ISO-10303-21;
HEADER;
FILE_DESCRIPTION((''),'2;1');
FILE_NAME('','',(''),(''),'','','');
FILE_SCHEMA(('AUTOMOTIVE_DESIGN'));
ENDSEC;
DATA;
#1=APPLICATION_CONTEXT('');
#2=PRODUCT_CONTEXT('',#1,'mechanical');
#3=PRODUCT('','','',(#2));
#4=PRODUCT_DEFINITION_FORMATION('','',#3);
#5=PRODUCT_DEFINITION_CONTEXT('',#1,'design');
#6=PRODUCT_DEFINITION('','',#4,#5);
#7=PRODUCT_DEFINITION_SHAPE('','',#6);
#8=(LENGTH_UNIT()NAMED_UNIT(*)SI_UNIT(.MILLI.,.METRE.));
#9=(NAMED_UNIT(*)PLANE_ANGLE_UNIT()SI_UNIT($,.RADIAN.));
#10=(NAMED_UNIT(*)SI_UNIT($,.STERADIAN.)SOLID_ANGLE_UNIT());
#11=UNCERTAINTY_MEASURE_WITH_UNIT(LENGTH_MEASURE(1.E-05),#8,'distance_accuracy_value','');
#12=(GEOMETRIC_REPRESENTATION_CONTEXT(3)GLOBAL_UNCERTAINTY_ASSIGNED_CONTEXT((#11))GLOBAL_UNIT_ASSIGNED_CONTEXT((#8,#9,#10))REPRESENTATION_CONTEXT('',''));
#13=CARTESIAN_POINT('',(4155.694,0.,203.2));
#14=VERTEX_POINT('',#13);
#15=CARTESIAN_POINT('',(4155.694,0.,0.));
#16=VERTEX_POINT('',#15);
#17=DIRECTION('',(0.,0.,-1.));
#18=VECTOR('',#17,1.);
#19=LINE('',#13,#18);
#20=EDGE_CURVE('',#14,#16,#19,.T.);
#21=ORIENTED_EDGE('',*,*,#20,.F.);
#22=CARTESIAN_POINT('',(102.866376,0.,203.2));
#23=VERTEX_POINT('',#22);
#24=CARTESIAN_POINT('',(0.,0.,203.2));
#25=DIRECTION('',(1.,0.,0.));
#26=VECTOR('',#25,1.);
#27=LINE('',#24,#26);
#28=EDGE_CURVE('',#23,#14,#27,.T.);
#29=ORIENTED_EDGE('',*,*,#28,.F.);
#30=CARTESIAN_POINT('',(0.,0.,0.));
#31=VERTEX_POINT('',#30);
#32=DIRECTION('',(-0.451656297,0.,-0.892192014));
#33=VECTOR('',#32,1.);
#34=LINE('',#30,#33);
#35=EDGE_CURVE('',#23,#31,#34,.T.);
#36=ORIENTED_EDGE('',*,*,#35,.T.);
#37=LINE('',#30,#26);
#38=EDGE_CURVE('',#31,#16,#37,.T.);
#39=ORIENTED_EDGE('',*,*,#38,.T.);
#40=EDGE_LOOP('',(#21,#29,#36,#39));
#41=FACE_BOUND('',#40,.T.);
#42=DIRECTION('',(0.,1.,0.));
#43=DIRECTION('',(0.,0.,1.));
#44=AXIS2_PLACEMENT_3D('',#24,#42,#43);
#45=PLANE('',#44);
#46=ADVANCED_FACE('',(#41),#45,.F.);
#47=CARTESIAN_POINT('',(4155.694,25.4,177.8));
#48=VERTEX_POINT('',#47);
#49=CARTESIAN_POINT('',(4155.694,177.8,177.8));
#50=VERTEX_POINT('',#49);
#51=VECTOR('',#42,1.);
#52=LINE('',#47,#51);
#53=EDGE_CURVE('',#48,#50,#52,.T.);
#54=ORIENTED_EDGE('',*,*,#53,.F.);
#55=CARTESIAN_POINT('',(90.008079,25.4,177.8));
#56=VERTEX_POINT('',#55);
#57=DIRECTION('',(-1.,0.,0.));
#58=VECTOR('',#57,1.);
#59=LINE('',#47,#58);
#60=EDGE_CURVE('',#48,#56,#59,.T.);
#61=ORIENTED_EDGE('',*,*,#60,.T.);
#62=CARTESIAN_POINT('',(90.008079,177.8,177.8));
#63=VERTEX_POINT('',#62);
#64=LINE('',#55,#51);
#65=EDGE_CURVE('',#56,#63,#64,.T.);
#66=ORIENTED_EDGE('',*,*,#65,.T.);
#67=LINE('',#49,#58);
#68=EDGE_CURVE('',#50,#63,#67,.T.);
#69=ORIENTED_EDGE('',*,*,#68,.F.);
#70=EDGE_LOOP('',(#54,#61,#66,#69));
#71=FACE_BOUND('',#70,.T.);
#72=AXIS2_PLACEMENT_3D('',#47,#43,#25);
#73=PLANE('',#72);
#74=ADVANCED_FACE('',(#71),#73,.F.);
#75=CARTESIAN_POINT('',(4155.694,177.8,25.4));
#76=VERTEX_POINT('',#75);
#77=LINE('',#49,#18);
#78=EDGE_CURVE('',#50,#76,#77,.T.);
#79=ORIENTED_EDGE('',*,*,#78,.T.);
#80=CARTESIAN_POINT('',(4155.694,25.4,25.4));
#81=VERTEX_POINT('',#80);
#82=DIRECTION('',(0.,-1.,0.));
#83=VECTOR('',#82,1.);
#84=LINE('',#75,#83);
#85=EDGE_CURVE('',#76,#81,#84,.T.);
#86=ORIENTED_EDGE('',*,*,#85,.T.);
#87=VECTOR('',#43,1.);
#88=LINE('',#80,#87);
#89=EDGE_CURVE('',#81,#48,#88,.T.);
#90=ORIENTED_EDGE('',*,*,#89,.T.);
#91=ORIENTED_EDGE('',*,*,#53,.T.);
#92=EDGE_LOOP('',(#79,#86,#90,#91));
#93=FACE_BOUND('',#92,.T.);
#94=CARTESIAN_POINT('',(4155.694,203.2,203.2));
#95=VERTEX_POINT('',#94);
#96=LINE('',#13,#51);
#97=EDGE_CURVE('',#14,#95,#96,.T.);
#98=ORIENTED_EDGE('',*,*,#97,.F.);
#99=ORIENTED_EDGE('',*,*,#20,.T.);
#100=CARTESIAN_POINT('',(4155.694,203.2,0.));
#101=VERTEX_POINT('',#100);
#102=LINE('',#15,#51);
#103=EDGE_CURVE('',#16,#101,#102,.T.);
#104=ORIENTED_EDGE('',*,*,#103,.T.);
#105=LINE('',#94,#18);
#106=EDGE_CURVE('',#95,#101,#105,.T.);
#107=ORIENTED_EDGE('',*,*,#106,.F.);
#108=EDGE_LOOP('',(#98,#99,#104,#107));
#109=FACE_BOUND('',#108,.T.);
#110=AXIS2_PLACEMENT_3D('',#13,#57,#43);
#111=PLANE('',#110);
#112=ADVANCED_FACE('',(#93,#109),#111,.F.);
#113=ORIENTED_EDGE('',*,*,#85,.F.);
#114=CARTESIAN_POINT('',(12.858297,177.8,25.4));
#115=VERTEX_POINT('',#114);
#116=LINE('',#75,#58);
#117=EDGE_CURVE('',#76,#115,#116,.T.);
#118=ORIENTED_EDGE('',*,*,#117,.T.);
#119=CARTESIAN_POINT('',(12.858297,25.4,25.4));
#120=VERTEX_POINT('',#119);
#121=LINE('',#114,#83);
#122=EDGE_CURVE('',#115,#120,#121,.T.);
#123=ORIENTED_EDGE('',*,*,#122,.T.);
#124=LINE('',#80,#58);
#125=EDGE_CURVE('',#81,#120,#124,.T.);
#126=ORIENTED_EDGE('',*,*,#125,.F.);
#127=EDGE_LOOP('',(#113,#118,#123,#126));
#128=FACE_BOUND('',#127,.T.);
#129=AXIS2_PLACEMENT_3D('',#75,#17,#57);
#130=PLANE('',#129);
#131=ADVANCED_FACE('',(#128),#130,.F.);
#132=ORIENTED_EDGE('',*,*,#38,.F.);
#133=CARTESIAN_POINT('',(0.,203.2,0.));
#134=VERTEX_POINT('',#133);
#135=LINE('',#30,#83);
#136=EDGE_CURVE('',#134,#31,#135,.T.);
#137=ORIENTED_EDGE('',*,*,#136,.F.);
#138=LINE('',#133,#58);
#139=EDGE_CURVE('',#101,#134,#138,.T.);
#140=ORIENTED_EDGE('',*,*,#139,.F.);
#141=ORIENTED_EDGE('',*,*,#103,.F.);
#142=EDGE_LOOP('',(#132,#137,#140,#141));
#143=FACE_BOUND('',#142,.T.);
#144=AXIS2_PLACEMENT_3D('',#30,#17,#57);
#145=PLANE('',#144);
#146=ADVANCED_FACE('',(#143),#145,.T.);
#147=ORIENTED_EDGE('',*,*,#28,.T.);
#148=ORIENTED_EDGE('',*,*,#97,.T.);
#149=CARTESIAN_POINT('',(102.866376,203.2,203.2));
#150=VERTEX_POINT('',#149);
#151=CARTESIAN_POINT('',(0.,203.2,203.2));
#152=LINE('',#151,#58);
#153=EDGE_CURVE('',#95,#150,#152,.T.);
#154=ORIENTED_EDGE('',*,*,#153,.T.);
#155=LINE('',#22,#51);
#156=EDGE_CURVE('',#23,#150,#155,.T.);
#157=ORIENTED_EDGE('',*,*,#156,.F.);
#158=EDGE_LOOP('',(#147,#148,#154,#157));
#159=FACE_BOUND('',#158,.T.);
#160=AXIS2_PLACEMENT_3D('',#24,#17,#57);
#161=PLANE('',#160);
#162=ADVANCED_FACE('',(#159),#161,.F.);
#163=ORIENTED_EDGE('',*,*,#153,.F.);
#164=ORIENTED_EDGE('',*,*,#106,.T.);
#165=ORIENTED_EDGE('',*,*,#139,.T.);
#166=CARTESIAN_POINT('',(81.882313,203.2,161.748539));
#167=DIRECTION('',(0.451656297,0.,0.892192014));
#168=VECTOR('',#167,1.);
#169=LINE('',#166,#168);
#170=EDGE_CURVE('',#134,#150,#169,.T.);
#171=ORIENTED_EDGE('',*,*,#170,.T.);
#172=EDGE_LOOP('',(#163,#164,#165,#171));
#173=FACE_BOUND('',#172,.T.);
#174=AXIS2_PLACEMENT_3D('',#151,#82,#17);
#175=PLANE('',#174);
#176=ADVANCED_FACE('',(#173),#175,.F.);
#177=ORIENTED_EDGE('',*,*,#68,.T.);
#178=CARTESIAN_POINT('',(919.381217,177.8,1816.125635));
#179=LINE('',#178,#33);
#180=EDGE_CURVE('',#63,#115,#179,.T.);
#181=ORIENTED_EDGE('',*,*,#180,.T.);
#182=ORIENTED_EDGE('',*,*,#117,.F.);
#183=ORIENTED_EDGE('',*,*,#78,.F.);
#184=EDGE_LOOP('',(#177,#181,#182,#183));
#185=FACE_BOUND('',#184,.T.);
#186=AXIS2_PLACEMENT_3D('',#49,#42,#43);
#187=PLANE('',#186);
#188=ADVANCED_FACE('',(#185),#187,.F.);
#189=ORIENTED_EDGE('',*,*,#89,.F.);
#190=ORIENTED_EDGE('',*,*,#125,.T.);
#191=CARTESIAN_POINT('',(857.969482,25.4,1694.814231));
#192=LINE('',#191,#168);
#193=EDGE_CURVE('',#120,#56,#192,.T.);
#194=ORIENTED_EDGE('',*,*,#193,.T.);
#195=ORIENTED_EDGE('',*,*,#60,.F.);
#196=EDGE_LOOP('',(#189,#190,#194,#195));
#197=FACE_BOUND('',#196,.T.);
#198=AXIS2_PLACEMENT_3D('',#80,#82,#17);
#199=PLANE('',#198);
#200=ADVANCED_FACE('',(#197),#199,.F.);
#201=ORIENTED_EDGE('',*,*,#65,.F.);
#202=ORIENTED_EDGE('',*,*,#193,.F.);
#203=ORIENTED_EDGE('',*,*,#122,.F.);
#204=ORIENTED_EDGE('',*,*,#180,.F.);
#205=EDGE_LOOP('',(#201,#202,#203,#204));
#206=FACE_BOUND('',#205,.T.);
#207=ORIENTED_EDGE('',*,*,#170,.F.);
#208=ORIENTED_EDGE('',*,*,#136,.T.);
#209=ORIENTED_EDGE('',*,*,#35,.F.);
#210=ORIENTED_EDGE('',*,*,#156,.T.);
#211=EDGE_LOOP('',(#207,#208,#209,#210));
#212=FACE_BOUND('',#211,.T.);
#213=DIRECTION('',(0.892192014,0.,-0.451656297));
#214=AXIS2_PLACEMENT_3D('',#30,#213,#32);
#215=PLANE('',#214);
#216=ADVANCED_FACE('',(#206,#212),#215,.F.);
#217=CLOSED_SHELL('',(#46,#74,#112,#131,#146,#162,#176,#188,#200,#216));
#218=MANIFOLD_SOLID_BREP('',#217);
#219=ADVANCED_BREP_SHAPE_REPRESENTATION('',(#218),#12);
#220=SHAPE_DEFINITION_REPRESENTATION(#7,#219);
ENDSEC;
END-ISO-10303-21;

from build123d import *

# Parameters (mm, degrees)
SKETCH2_W               = 4155.694
SKETCH2_H               = 203.2
BOSS_EXTRUDE1_DEPTH     = 203.2
SKETCH3_W               = 152.4
SKETCH3_H               = 152.4
CUT_EXTRUDE1_DEPTH      = 1
CUT_EXTRUDE1_DEPTH_BACK = 4156.694
CUT_EXTRUDE2_DEPTH      = 1
CUT_EXTRUDE2_DEPTH_BACK = 204.2


with BuildPart() as part:
    # Sketch2 → Boss-Extrude1 (new body)
    with BuildSketch(Plane.XY):
        with Locations((2077.847, 101.6)):
            Rectangle(SKETCH2_W, SKETCH2_H)
    extrude(amount=BOSS_EXTRUDE1_DEPTH)

    # Sketch3 → Cut-Extrude1 (cut, two sides)
    with BuildSketch(Plane.ZY) as cut_extrude1_sk:
        with Locations((101.6, 101.6)):
            Rectangle(SKETCH3_W, SKETCH3_H)
    extrude(amount=CUT_EXTRUDE1_DEPTH, mode=Mode.SUBTRACT)
    extrude(cut_extrude1_sk.sketch, amount=-CUT_EXTRUDE1_DEPTH_BACK, mode=Mode.SUBTRACT)

    # Sketch4 → Cut-Extrude2 (cut, two sides)
    with BuildSketch(Plane(origin=(0, 203.2, 0), x_dir=(1, 0, 0), z_dir=(0, 1, 0))) as cut_extrude2_sk:
        Polygon((0, 0), (102.866376443, -203.2), (0, -203.2), align=None)
    extrude(amount=CUT_EXTRUDE2_DEPTH, mode=Mode.SUBTRACT)
    extrude(cut_extrude2_sk.sketch, amount=-CUT_EXTRUDE2_DEPTH_BACK, mode=Mode.SUBTRACT)


solid = part.part
